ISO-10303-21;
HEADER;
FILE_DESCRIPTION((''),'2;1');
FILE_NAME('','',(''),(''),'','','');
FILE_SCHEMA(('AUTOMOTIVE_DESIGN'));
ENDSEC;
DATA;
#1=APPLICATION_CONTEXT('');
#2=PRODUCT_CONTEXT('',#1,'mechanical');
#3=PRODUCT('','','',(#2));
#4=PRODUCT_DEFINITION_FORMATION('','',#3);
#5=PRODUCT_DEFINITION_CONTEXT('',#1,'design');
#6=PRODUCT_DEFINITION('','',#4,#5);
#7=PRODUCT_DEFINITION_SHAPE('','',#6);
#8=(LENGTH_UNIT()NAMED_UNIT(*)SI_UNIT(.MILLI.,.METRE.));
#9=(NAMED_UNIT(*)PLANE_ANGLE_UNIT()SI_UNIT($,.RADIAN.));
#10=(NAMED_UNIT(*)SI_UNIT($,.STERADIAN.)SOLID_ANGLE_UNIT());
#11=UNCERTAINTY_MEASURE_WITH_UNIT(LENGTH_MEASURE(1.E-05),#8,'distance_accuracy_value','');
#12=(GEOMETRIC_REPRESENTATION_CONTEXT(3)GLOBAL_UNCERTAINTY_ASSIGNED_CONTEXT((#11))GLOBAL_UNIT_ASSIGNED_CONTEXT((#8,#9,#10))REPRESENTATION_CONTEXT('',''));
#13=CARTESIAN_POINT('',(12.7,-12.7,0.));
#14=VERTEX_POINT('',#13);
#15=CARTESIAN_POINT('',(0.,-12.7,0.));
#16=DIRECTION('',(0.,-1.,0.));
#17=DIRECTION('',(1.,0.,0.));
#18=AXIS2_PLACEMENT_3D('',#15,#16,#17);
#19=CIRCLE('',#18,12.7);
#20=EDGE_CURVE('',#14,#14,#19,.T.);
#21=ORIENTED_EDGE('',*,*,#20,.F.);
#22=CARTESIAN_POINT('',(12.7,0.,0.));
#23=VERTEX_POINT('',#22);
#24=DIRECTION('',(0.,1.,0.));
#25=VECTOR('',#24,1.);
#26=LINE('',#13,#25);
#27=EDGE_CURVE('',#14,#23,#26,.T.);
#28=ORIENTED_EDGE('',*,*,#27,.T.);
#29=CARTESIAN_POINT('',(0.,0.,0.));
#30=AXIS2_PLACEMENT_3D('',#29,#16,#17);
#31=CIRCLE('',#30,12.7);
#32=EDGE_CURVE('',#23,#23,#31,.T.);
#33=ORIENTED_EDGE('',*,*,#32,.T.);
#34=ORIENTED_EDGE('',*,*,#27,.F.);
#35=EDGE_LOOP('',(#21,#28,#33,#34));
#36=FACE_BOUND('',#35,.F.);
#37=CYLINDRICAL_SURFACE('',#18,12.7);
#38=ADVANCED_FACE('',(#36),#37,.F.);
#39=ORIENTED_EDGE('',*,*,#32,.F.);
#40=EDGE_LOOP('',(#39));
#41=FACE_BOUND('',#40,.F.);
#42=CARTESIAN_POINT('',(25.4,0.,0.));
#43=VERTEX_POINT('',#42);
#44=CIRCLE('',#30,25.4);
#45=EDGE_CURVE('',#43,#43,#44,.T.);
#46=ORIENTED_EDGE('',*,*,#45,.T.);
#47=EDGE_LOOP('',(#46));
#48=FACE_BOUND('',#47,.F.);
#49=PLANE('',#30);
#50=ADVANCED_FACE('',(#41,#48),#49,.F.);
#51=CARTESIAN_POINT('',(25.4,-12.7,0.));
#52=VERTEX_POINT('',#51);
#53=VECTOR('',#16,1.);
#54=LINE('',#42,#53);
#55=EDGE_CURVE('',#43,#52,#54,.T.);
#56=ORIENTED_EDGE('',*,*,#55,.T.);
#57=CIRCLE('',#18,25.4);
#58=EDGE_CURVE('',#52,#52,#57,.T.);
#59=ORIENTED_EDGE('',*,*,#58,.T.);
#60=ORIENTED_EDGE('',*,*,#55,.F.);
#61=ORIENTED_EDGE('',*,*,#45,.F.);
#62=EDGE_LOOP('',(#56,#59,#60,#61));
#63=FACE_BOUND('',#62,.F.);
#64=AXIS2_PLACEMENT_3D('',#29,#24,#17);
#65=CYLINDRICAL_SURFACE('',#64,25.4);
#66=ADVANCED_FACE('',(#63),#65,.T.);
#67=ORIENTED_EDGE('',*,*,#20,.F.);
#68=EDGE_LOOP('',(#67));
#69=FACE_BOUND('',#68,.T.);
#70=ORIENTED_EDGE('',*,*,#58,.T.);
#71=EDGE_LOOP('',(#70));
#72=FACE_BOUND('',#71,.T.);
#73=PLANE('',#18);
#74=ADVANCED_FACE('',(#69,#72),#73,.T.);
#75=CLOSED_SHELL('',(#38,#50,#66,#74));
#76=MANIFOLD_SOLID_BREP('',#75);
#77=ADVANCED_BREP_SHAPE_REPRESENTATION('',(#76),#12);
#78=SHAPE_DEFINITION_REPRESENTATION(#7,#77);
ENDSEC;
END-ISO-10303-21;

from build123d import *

# Parameters (mm, degrees)
F0_R          = 25.4
F1_DEPTH      = 12.7
F2_R          = 12.7
F3_DEPTH      = 25.4
F3_DEPTH_BACK = 25.4


with BuildPart() as f1:
    # F0 (on Front) → F1 (new body)
    with BuildSketch(Plane.XZ):
        Circle(F0_R)
    extrude(amount=F1_DEPTH)

    # F2 (on face) → F3 (cut, two sides)
    with BuildSketch(Plane.XZ.offset(12.7)) as f3_sk:
        Circle(F2_R)
    extrude(amount=-F3_DEPTH, mode=Mode.SUBTRACT)
    extrude(f3_sk.sketch, amount=-F3_DEPTH_BACK, mode=Mode.SUBTRACT)


solid = f1.part
